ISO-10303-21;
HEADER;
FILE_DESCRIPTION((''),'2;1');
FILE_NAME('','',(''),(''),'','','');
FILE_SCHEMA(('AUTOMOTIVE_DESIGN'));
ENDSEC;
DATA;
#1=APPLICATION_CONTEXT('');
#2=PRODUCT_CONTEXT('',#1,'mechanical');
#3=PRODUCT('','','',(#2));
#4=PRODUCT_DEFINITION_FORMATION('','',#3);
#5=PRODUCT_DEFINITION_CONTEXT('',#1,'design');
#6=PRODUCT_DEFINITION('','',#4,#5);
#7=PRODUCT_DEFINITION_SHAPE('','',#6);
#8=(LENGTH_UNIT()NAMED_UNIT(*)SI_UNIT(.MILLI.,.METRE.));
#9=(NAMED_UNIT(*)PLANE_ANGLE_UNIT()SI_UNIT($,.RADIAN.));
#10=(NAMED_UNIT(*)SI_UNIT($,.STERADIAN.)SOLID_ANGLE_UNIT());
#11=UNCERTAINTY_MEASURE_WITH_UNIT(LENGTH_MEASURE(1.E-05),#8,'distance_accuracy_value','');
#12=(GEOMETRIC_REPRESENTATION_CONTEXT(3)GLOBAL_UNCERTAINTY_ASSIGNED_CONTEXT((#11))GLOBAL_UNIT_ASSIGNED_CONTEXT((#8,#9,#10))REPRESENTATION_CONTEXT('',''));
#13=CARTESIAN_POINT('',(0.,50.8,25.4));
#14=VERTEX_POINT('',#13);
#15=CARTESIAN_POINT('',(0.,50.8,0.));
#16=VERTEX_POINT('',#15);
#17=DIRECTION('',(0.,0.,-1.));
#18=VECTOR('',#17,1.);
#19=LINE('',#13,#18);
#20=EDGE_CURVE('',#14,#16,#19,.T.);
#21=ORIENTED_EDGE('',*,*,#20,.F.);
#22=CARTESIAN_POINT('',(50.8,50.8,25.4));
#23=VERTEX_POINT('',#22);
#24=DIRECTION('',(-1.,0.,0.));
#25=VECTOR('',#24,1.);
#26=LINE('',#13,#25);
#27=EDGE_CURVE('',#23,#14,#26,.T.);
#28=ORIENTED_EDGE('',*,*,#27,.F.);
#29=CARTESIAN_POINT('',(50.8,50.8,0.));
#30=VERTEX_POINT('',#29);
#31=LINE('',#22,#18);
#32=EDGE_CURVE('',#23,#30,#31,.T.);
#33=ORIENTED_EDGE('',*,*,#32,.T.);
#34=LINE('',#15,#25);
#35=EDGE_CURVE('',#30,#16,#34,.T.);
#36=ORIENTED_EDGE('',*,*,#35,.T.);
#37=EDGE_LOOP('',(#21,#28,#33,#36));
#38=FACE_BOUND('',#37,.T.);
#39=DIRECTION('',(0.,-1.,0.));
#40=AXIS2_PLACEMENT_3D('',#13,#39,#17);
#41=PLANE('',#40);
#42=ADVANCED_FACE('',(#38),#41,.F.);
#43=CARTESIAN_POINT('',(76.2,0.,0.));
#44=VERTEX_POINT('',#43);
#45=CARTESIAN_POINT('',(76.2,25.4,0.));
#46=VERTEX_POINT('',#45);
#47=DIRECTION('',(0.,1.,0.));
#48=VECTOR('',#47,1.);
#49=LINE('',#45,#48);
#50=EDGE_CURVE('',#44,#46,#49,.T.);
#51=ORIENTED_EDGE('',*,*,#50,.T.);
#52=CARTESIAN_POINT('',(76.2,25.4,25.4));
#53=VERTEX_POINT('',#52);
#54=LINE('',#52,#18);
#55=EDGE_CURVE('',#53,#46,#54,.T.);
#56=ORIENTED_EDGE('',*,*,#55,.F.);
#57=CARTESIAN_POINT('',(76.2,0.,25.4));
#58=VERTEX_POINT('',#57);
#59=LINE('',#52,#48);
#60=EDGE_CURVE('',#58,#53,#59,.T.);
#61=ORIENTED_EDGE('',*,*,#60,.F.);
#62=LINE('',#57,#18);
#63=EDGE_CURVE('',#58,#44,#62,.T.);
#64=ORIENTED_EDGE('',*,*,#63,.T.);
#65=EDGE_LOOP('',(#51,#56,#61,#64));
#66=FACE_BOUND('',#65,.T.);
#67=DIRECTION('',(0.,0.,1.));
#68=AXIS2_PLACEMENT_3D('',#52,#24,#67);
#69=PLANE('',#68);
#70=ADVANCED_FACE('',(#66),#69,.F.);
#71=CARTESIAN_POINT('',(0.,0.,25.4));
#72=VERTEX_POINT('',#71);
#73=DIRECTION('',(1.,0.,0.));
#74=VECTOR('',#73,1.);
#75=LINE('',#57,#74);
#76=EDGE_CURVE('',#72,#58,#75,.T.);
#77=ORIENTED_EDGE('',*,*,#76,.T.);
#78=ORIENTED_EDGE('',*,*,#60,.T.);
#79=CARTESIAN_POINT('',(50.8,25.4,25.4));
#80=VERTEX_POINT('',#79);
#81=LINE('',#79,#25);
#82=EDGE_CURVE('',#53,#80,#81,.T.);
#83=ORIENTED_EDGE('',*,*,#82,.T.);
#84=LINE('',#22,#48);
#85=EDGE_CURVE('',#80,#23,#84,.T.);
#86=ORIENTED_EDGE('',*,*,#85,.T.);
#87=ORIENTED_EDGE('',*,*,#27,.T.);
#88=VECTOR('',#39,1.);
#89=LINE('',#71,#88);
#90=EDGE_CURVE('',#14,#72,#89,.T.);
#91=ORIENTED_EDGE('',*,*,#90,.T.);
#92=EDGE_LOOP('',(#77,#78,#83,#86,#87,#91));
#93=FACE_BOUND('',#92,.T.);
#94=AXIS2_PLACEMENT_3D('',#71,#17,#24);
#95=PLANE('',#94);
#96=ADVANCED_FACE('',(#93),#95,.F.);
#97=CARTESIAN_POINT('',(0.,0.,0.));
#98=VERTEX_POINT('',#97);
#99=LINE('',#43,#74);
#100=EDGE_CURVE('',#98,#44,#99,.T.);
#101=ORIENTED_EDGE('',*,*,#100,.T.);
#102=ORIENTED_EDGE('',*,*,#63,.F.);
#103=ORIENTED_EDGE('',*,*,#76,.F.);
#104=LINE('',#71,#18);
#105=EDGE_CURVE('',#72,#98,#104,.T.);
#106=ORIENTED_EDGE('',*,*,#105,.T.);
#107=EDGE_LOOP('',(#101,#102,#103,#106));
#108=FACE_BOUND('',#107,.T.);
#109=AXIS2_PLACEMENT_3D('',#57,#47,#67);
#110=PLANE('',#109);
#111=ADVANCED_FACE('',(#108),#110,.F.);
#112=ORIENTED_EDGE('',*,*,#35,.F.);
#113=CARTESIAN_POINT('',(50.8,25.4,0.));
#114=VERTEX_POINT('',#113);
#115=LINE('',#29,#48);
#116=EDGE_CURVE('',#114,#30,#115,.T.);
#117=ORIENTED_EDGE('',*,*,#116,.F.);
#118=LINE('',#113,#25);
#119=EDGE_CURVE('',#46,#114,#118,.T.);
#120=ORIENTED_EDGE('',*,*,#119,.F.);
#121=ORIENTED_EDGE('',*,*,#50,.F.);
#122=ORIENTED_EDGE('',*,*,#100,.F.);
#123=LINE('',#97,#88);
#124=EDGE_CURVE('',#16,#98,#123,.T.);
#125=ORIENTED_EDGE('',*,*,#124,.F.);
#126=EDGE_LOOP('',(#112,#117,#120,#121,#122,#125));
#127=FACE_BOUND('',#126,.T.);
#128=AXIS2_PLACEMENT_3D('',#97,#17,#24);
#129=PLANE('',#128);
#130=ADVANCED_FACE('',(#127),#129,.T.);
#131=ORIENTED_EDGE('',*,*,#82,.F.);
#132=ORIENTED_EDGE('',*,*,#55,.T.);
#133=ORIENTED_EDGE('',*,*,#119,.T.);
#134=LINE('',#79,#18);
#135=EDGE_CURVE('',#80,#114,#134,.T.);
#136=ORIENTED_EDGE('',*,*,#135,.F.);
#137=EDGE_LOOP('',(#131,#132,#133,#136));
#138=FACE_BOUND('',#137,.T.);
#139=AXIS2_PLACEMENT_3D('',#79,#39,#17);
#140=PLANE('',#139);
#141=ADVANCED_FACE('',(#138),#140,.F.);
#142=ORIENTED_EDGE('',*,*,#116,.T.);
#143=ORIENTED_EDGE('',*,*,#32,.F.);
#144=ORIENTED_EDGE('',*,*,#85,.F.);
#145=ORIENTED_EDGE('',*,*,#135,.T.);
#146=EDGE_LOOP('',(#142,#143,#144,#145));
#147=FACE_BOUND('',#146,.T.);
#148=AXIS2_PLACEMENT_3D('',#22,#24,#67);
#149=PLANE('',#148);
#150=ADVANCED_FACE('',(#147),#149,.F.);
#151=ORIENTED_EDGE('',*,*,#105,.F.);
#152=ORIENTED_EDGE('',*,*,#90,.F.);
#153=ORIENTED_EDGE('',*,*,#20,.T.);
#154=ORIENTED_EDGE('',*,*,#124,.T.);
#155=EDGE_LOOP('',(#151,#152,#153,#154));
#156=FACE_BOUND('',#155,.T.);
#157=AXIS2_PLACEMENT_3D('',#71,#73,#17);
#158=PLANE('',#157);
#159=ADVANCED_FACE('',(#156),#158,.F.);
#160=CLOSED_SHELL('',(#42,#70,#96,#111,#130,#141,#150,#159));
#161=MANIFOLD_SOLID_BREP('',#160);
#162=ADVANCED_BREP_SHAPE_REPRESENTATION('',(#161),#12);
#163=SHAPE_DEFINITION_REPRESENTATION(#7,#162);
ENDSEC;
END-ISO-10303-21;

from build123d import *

# Parameters (mm, degrees)
BOSS_EXTRUDE1_DEPTH = 25.4


with BuildPart() as part:
    # Sketch1 → Boss-Extrude1 (new body)
    with BuildSketch(Plane.XY):
        Polygon((0, 50.8), (50.8, 50.8), (50.8, 25.4), (76.2, 25.4), (76.2, 0), (0, 0), align=None)
    extrude(amount=BOSS_EXTRUDE1_DEPTH)


solid = part.part
